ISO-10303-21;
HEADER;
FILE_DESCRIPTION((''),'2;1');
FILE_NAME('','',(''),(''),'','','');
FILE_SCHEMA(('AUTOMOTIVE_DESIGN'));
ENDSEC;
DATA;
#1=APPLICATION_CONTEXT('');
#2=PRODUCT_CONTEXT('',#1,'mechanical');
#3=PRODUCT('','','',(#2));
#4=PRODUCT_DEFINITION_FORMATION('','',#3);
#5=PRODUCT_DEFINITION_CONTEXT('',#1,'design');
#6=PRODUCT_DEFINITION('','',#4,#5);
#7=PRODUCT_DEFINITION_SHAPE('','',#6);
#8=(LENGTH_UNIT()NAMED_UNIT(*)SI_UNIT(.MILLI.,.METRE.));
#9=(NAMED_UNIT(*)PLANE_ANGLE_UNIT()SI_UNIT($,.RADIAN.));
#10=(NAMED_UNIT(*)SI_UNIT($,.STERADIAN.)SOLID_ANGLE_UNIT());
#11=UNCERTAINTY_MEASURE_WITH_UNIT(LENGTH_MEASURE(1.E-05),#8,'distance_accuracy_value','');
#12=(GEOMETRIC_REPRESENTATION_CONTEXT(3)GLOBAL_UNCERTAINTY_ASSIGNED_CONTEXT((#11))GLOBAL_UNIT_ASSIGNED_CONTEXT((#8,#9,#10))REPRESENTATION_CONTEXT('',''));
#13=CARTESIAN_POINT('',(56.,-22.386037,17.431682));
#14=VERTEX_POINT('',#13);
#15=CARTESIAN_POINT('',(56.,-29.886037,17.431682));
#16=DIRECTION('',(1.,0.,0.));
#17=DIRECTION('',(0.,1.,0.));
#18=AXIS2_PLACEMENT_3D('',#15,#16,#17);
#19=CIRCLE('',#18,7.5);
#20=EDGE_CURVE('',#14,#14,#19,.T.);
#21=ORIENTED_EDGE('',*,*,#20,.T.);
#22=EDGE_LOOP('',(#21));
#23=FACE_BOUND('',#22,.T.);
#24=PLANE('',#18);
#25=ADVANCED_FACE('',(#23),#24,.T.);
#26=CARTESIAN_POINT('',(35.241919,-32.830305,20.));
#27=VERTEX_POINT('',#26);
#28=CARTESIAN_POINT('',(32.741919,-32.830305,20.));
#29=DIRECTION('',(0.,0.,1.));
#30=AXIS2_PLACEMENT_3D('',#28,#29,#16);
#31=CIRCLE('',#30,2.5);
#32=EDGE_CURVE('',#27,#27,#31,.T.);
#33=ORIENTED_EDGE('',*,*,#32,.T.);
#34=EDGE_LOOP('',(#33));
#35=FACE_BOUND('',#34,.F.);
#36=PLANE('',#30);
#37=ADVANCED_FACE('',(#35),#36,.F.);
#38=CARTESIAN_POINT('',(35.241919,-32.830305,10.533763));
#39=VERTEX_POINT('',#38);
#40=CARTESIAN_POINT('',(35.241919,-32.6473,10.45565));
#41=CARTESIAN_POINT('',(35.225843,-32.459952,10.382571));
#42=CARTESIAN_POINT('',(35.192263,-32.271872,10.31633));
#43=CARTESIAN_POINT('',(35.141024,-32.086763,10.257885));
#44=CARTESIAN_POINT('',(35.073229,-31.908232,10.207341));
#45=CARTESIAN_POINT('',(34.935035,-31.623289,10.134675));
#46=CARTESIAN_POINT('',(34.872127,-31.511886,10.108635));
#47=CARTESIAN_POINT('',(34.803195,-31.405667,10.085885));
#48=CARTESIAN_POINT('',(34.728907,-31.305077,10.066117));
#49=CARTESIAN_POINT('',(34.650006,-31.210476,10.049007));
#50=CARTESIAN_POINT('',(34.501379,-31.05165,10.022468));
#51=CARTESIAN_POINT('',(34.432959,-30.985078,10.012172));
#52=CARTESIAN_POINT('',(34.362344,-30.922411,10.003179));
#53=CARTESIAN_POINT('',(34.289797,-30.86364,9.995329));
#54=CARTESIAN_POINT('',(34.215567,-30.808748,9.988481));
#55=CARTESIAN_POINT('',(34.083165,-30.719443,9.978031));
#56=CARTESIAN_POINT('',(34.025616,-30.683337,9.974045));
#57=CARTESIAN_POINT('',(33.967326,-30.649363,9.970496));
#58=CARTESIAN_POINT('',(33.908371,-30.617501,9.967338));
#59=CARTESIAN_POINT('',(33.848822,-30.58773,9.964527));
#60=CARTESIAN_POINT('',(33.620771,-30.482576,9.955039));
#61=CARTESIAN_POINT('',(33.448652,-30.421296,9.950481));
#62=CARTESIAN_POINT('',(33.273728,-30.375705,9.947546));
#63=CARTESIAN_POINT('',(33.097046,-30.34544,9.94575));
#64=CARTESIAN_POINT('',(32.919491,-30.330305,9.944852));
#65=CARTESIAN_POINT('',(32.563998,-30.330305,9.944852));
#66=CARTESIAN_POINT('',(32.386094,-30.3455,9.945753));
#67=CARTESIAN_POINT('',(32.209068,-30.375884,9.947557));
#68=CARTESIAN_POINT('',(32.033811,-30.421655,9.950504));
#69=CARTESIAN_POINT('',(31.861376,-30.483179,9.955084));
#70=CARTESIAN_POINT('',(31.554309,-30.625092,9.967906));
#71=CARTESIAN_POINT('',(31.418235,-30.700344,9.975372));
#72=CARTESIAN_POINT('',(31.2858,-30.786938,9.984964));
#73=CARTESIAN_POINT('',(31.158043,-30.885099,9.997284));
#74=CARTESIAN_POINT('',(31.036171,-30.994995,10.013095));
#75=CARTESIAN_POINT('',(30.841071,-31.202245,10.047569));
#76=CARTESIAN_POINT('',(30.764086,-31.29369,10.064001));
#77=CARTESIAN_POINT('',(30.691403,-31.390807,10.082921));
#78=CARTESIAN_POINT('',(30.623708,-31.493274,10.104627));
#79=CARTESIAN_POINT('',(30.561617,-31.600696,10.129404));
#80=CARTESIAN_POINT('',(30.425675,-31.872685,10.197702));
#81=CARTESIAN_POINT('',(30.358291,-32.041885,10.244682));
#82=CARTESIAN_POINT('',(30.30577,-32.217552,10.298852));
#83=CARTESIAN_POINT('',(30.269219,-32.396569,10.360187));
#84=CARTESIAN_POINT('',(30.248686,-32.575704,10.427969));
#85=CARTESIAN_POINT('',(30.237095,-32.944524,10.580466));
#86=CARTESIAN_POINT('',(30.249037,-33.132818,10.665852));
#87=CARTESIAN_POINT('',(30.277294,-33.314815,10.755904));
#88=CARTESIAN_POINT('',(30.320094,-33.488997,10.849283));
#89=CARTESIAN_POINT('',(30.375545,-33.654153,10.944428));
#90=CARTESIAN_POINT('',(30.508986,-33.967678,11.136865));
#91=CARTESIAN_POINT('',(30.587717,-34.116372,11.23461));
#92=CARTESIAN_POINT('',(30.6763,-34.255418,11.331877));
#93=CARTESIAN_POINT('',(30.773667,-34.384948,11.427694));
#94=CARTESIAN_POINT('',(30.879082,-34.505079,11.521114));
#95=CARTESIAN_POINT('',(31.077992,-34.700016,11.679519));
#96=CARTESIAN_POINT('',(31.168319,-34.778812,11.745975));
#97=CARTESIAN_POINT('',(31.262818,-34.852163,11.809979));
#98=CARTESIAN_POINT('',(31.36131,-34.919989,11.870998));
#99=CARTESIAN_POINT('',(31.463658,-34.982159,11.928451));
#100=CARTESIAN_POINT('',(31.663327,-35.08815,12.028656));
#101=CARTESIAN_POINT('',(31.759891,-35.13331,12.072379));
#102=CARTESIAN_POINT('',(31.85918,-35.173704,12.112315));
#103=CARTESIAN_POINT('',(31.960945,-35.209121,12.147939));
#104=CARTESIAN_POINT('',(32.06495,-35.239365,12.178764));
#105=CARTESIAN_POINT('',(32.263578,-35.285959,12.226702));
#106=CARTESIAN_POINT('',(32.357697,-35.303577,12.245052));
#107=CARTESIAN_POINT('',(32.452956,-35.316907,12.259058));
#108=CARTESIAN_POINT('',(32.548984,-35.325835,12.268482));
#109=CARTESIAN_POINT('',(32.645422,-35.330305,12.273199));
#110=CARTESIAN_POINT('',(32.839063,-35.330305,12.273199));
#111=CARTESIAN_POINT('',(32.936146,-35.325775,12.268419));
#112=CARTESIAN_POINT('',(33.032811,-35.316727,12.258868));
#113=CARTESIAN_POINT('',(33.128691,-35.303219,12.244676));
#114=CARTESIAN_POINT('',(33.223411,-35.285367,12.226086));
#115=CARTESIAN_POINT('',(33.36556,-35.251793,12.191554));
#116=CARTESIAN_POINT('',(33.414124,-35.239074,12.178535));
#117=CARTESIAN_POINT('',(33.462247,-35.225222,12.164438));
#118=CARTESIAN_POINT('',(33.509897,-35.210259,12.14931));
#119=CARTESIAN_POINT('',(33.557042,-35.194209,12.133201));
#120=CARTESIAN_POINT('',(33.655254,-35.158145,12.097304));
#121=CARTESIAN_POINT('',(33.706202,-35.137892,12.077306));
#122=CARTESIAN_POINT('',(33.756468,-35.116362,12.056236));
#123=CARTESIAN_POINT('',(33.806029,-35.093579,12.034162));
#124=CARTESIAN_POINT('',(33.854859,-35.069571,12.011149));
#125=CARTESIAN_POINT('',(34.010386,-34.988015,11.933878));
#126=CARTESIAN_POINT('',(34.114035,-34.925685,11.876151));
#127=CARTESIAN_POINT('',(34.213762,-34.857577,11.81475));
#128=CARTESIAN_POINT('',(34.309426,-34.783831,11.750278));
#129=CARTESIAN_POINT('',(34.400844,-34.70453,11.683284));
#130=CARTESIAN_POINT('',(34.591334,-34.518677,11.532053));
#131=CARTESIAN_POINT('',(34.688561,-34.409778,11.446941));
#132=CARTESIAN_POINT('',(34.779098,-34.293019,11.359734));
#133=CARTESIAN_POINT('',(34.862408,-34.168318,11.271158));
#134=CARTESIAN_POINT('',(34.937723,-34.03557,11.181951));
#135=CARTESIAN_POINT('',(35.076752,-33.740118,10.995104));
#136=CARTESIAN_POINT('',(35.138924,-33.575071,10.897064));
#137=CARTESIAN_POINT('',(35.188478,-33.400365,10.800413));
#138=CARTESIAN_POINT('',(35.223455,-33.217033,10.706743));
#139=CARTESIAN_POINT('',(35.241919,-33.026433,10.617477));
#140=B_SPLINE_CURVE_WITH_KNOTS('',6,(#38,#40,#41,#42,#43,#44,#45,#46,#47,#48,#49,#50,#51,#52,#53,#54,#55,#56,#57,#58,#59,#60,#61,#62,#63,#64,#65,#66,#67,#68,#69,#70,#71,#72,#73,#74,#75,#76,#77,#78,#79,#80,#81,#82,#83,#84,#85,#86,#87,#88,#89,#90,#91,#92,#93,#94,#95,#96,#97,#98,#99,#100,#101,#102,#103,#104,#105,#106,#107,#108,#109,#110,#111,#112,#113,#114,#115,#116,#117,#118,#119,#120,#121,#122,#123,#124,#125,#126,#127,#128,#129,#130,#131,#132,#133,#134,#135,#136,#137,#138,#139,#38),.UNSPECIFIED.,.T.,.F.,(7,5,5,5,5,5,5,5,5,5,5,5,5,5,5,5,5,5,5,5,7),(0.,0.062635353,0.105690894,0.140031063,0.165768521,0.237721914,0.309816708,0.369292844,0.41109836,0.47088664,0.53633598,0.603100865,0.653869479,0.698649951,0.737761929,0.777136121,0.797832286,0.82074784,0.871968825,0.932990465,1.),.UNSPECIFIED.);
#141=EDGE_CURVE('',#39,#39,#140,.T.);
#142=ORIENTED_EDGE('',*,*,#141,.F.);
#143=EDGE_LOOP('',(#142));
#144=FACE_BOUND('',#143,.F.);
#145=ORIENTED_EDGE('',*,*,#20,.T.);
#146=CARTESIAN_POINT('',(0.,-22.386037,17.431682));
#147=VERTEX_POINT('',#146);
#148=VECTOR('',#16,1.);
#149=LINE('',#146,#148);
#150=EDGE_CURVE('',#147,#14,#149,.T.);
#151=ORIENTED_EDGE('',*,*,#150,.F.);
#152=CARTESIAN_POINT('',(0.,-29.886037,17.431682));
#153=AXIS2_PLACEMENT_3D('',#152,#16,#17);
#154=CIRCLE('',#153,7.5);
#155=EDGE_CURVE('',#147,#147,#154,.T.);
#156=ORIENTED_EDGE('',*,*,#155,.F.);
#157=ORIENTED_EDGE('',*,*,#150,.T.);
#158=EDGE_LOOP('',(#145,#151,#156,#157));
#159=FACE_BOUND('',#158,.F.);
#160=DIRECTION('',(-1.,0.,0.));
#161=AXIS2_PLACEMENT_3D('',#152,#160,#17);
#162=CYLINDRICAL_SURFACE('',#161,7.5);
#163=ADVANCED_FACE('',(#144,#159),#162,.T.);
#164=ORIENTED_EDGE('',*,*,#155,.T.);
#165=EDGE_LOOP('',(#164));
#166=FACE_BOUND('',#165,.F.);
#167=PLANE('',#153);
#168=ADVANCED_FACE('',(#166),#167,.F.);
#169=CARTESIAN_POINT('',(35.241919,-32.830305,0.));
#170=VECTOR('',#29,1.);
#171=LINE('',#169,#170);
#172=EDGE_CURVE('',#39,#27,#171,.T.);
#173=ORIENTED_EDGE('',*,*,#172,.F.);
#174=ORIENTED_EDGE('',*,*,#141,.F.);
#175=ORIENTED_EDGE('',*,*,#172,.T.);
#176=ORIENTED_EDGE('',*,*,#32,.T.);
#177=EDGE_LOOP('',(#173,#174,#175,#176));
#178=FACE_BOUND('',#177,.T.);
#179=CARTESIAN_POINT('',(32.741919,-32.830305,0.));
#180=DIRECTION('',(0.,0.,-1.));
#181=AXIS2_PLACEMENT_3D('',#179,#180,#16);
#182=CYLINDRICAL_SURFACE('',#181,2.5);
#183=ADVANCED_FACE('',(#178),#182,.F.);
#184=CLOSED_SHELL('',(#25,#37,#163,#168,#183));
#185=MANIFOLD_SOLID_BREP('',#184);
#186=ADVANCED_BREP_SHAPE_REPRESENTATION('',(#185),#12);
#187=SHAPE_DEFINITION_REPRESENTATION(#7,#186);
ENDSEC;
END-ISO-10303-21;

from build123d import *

# Parameters (mm, degrees)
F0_R     = 7.5
F1_DEPTH = 56
F2_R     = 2.5
F3_DEPTH = 20


with BuildPart() as f1:
    # F0 (on Right) → F1 (new body)
    with BuildSketch(Plane.YZ):
        with Locations((-29.886037, 17.431682)):
            Circle(F0_R)
    extrude(amount=F1_DEPTH)

    # F2 (on Top) → F3 (cut)
    with BuildSketch(Plane.XY):
        with Locations((32.741919, -32.830305)):
            Circle(F2_R)
    extrude(amount=F3_DEPTH, mode=Mode.SUBTRACT)


solid = f1.part
